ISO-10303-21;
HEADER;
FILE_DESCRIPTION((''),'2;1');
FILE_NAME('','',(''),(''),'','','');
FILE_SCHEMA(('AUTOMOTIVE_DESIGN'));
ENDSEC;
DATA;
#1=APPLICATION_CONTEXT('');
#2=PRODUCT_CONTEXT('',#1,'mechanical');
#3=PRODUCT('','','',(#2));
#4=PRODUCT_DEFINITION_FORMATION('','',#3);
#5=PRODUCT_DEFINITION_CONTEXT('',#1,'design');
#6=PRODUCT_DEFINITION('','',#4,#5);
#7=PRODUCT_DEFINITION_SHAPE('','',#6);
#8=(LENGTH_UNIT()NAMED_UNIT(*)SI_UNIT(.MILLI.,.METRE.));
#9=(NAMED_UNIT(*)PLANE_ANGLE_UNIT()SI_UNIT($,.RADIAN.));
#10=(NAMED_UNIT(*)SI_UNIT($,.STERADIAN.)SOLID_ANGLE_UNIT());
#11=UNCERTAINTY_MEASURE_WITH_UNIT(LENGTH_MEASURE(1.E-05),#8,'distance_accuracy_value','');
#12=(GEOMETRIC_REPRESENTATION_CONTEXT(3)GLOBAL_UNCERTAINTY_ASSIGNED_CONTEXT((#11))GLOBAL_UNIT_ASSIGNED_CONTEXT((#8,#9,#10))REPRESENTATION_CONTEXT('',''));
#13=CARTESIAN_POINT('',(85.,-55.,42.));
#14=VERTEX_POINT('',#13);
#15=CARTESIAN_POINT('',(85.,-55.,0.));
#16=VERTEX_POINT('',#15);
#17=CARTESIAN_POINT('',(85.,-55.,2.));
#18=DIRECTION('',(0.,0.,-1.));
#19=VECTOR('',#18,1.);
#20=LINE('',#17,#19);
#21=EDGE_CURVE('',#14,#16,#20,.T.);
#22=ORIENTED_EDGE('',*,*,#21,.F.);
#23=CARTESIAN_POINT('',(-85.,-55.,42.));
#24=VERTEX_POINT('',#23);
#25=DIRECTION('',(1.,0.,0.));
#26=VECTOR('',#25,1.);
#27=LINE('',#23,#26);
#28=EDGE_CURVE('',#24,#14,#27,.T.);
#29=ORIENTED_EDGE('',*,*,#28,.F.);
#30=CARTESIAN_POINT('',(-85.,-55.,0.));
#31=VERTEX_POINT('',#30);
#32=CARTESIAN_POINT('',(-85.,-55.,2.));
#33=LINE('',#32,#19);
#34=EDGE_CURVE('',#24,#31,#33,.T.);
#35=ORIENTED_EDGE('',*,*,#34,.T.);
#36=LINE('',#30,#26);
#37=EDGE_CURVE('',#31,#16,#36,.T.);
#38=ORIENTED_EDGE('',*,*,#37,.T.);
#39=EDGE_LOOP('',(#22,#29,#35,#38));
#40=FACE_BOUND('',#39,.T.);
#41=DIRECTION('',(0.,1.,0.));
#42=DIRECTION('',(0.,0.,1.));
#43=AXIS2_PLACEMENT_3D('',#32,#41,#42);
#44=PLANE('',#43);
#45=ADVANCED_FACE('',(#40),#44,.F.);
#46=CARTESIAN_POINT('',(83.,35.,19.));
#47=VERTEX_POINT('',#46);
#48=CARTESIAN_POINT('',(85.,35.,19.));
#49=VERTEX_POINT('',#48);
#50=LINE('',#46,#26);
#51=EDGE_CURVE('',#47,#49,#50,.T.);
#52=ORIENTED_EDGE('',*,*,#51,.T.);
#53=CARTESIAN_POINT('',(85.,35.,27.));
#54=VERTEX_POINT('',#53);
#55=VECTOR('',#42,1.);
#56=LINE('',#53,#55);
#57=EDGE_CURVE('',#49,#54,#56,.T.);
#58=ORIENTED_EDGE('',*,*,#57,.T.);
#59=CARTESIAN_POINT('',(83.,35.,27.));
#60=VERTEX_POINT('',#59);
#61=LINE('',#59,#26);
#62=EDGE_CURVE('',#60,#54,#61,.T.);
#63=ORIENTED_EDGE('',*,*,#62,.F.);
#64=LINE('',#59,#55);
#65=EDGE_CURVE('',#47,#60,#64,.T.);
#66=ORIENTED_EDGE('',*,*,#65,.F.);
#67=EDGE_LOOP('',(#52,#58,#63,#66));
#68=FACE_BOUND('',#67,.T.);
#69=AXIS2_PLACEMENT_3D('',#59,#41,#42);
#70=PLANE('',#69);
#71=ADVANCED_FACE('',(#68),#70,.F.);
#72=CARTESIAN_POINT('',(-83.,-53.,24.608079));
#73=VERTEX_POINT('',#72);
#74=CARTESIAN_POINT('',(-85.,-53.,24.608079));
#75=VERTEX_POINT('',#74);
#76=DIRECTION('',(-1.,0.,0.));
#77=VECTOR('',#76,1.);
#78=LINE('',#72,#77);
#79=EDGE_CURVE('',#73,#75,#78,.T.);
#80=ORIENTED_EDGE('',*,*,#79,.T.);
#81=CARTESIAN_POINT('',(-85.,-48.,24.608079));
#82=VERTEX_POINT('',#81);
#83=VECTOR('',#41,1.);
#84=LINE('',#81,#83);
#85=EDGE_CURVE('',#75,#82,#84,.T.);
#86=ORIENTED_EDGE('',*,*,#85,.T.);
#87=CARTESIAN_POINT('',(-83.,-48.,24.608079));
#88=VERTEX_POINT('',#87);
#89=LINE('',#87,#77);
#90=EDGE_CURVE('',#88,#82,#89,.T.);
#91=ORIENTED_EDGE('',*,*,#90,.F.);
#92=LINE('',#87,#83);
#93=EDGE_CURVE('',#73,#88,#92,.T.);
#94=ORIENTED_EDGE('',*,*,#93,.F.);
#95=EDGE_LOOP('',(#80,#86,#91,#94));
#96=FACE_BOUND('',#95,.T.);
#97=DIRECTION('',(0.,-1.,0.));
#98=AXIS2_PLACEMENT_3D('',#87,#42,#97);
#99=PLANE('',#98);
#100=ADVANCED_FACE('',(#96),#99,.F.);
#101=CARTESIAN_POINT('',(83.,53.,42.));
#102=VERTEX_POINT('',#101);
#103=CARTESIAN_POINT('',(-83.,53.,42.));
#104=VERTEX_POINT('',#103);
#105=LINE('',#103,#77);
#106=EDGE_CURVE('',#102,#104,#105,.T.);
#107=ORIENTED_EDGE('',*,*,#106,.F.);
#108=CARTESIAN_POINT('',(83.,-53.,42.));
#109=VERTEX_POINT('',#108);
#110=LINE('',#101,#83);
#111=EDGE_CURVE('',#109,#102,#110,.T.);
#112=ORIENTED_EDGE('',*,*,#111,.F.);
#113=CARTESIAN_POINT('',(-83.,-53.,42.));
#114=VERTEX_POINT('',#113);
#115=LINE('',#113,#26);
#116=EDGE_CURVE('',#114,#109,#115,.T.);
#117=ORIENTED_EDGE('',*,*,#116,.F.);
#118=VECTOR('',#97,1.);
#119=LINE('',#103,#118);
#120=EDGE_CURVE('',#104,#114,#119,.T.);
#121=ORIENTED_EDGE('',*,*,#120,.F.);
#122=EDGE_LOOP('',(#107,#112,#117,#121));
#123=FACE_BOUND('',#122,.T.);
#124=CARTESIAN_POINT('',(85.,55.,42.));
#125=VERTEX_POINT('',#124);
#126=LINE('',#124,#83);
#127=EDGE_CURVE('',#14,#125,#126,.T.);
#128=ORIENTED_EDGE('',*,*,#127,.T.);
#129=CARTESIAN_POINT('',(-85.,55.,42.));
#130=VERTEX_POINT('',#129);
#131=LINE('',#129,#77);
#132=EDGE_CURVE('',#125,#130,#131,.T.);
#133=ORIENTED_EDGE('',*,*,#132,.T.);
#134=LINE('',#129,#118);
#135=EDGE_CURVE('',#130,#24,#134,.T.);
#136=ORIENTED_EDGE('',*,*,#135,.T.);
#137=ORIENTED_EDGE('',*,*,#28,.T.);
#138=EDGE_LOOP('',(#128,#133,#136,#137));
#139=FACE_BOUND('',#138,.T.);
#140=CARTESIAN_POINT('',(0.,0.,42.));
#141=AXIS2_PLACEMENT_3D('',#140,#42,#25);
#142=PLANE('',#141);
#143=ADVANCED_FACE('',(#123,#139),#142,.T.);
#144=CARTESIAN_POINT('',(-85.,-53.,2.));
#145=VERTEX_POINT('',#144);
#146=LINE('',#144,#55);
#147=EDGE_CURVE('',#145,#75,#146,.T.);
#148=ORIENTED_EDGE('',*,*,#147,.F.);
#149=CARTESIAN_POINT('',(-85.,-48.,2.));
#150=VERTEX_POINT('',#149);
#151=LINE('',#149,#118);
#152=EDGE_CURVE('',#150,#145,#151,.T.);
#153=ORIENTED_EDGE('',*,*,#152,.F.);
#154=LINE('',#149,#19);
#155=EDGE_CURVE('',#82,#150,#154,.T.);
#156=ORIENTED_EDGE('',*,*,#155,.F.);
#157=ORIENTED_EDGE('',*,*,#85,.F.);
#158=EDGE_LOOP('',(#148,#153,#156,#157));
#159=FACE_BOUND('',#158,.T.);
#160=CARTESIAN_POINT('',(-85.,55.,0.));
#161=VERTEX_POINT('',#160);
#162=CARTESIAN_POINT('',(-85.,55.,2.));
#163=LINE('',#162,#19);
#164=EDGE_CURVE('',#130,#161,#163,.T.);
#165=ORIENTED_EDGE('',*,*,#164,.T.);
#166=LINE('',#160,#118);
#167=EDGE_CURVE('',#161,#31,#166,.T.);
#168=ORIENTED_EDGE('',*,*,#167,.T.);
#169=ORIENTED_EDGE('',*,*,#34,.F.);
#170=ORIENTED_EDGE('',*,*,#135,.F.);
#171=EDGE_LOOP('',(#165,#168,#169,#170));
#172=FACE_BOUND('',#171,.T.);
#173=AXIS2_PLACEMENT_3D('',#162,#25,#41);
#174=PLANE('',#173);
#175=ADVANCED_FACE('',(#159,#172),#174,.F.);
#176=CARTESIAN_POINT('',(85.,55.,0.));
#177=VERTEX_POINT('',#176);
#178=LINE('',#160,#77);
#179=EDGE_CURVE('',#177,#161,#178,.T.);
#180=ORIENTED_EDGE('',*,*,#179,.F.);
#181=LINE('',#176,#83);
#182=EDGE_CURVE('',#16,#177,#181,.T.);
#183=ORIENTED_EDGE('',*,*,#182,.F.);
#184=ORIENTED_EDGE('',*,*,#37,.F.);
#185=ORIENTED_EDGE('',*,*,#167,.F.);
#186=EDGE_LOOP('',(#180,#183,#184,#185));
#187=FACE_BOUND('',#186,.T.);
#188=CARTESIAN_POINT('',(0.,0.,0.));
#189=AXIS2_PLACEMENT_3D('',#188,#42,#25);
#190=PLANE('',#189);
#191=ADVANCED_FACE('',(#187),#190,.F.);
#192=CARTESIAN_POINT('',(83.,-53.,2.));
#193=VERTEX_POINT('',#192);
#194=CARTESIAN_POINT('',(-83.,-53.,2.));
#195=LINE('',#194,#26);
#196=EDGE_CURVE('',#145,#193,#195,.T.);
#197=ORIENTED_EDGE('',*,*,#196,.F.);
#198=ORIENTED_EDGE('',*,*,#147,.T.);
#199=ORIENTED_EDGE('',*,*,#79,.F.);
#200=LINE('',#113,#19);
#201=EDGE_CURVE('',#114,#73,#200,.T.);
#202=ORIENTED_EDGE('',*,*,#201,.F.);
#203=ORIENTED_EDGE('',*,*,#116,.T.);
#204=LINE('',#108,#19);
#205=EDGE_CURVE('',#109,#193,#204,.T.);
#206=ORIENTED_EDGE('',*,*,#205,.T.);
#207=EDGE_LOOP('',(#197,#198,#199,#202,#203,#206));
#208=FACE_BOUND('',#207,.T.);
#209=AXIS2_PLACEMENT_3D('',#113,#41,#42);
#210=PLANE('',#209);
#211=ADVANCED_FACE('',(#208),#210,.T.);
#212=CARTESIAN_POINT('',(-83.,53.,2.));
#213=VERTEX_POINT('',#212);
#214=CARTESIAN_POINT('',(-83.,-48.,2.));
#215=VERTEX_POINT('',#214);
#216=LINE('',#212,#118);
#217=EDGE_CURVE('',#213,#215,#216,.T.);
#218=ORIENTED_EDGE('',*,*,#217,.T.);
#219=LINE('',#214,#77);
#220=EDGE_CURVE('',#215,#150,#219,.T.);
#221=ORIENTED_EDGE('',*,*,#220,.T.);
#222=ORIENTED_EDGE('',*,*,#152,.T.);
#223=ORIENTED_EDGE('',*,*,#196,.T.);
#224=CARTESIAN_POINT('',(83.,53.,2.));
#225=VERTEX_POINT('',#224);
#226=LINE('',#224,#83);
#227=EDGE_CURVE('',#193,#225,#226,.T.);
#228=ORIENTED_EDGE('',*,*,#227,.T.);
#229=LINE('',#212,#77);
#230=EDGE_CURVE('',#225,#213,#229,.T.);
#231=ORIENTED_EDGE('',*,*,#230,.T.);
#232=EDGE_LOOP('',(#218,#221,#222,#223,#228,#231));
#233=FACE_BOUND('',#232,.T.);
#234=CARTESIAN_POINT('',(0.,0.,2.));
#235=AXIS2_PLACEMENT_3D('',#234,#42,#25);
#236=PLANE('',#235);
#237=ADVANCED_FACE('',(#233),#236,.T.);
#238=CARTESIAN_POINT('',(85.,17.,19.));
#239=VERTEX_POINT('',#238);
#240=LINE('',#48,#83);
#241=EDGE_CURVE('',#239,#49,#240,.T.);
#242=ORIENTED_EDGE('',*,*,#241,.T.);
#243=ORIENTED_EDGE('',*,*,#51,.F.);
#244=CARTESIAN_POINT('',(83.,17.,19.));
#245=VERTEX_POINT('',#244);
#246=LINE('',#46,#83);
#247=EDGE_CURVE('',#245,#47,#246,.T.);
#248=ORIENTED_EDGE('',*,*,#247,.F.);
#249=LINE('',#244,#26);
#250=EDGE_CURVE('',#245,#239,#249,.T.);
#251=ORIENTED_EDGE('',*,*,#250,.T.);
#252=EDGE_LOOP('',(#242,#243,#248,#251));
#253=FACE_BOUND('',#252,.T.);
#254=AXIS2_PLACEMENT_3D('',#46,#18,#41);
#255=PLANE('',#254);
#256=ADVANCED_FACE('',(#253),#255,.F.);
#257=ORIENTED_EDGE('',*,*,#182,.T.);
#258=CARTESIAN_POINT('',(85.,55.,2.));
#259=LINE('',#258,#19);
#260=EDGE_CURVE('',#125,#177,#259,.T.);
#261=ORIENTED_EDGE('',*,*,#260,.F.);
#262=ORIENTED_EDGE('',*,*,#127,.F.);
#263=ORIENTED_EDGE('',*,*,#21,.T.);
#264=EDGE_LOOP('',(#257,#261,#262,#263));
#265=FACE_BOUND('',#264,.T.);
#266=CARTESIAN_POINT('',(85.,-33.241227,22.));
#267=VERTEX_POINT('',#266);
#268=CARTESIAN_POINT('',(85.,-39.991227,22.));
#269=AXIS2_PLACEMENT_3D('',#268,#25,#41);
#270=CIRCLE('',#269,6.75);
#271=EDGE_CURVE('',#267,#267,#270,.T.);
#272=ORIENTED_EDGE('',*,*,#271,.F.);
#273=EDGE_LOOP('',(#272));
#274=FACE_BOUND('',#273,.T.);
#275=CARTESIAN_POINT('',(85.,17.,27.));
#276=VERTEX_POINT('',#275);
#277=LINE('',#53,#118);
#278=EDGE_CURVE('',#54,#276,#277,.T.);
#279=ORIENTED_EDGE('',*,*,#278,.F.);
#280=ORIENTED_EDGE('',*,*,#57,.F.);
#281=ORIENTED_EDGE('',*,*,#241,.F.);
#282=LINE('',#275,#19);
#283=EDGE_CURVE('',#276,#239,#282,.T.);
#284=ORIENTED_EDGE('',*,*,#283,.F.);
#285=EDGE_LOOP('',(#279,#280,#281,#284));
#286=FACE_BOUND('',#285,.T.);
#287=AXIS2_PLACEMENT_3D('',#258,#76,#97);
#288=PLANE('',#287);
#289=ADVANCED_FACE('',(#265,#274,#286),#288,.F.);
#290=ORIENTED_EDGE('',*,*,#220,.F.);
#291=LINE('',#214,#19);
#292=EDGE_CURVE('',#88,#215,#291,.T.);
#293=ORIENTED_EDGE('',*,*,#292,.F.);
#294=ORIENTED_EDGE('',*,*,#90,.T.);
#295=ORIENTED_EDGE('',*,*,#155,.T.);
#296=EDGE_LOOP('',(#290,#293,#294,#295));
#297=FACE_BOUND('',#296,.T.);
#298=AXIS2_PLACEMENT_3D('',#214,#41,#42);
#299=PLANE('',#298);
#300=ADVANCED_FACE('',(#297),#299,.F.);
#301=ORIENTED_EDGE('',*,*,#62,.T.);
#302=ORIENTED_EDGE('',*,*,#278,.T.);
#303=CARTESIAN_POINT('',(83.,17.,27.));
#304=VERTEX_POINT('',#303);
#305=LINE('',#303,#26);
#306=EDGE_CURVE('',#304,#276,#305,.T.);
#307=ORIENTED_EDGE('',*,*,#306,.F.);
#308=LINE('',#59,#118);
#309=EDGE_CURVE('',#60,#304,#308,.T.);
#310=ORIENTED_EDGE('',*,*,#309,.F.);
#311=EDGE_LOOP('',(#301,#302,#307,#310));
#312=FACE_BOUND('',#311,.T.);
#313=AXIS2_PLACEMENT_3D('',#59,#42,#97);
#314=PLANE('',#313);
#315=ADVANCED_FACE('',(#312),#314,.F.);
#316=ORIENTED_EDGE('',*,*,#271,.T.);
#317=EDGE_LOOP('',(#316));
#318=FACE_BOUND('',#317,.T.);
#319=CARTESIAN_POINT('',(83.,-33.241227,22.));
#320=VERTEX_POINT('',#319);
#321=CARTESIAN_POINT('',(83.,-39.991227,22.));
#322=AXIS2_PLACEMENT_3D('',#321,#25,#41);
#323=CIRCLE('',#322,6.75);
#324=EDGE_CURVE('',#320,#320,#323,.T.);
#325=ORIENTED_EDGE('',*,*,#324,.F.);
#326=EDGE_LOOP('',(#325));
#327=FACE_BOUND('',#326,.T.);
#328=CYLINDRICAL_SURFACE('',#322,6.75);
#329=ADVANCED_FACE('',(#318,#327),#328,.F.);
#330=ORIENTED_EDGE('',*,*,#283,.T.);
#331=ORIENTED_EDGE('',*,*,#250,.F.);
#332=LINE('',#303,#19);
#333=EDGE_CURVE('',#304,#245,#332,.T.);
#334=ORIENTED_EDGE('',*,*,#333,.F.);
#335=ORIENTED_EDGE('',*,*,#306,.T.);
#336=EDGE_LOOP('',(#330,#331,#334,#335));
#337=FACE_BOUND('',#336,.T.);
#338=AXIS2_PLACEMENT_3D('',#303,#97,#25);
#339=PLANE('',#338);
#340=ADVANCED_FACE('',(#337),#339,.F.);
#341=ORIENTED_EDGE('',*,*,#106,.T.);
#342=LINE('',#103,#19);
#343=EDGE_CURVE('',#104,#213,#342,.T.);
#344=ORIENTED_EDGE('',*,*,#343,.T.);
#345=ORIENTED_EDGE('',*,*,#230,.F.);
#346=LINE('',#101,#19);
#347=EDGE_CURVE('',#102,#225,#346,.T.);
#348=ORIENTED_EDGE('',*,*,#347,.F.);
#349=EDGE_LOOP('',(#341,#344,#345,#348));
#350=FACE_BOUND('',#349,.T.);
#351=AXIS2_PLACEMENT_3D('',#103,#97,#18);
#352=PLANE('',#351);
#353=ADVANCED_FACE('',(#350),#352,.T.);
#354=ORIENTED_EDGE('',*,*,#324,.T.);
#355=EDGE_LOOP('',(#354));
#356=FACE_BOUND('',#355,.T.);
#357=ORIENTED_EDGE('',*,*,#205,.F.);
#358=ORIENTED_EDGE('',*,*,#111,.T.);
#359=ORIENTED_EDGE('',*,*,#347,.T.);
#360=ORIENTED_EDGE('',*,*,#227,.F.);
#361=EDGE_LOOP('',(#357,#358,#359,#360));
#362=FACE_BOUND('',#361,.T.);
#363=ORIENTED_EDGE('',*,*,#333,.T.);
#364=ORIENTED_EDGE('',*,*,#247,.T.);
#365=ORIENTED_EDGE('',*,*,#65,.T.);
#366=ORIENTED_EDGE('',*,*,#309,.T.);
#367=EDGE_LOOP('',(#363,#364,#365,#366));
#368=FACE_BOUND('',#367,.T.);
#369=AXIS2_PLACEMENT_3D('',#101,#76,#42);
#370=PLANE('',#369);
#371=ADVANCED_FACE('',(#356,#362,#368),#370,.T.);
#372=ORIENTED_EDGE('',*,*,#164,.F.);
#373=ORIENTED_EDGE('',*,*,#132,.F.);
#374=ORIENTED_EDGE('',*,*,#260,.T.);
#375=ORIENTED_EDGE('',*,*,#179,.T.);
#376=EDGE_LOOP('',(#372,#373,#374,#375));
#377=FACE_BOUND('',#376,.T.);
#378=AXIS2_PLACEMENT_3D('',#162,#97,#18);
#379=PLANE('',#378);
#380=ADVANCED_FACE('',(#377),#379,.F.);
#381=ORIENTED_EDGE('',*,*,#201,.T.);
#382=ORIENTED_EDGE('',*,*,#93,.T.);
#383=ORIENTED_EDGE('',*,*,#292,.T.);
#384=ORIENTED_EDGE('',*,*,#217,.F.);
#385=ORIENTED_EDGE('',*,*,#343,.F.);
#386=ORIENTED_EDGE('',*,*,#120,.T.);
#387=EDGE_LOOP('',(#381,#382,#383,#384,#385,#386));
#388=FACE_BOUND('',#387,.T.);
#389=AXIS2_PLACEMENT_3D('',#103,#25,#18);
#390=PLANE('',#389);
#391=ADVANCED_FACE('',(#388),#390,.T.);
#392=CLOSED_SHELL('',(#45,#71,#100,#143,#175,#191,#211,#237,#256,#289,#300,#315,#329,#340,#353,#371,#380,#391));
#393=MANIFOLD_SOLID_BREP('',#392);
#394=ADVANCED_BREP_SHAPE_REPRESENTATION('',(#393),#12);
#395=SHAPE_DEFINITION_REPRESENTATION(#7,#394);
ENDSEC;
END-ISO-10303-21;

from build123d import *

# Parameters (mm, degrees)
SKETCH1_W           = 170
SKETCH1_H           = 110
BOSS_EXTRUDE1_DEPTH = 2
SKETCH2_W           = 170
SKETCH2_H           = 110
SKETCH2_W_2         = 166
SKETCH2_H_2         = 106
BOSS_EXTRUDE2_DEPTH = 40
SKETCH3_R           = 6.75
SKETCH3_W           = 8
SKETCH3_H           = 18
CUT_EXTRUDE1_DEPTH  = 2
SKETCH4_W           = 22.608078914
SKETCH4_H           = 5
CUT_EXTRUDE2_DEPTH  = 2


with BuildPart() as part:
    # Sketch1 → Boss-Extrude1 (new body)
    with BuildSketch(Plane.XY):
        Rectangle(SKETCH1_W, SKETCH1_H)
    extrude(amount=BOSS_EXTRUDE1_DEPTH)

    # Sketch2 → Boss-Extrude2 (add)
    with BuildSketch(Plane.XY.offset(2)):
        Rectangle(SKETCH2_W, SKETCH2_H)
        Rectangle(SKETCH2_W_2, SKETCH2_H_2, mode=Mode.SUBTRACT)
    extrude(amount=BOSS_EXTRUDE2_DEPTH)

    # Sketch3 → Cut-Extrude1 (cut)
    with BuildSketch(Plane(origin=(85, 0, 0), x_dir=(0, 0, -1), z_dir=(1, 0, 0))):
        with Locations(Location((-22, -39.991227395, 0), (0, 0, 90))):
            Circle(SKETCH3_R)
        with Locations((-23, 26)):
            Rectangle(SKETCH3_W, SKETCH3_H)
    extrude(amount=-CUT_EXTRUDE1_DEPTH, mode=Mode.SUBTRACT)

    # Sketch4 → Cut-Extrude2 (cut)
    with BuildSketch(Plane.ZY.offset(85)):
        with Locations((13.304039457, -50.5)):
            Rectangle(SKETCH4_W, SKETCH4_H)
    extrude(amount=-CUT_EXTRUDE2_DEPTH, mode=Mode.SUBTRACT)


solid = part.part
